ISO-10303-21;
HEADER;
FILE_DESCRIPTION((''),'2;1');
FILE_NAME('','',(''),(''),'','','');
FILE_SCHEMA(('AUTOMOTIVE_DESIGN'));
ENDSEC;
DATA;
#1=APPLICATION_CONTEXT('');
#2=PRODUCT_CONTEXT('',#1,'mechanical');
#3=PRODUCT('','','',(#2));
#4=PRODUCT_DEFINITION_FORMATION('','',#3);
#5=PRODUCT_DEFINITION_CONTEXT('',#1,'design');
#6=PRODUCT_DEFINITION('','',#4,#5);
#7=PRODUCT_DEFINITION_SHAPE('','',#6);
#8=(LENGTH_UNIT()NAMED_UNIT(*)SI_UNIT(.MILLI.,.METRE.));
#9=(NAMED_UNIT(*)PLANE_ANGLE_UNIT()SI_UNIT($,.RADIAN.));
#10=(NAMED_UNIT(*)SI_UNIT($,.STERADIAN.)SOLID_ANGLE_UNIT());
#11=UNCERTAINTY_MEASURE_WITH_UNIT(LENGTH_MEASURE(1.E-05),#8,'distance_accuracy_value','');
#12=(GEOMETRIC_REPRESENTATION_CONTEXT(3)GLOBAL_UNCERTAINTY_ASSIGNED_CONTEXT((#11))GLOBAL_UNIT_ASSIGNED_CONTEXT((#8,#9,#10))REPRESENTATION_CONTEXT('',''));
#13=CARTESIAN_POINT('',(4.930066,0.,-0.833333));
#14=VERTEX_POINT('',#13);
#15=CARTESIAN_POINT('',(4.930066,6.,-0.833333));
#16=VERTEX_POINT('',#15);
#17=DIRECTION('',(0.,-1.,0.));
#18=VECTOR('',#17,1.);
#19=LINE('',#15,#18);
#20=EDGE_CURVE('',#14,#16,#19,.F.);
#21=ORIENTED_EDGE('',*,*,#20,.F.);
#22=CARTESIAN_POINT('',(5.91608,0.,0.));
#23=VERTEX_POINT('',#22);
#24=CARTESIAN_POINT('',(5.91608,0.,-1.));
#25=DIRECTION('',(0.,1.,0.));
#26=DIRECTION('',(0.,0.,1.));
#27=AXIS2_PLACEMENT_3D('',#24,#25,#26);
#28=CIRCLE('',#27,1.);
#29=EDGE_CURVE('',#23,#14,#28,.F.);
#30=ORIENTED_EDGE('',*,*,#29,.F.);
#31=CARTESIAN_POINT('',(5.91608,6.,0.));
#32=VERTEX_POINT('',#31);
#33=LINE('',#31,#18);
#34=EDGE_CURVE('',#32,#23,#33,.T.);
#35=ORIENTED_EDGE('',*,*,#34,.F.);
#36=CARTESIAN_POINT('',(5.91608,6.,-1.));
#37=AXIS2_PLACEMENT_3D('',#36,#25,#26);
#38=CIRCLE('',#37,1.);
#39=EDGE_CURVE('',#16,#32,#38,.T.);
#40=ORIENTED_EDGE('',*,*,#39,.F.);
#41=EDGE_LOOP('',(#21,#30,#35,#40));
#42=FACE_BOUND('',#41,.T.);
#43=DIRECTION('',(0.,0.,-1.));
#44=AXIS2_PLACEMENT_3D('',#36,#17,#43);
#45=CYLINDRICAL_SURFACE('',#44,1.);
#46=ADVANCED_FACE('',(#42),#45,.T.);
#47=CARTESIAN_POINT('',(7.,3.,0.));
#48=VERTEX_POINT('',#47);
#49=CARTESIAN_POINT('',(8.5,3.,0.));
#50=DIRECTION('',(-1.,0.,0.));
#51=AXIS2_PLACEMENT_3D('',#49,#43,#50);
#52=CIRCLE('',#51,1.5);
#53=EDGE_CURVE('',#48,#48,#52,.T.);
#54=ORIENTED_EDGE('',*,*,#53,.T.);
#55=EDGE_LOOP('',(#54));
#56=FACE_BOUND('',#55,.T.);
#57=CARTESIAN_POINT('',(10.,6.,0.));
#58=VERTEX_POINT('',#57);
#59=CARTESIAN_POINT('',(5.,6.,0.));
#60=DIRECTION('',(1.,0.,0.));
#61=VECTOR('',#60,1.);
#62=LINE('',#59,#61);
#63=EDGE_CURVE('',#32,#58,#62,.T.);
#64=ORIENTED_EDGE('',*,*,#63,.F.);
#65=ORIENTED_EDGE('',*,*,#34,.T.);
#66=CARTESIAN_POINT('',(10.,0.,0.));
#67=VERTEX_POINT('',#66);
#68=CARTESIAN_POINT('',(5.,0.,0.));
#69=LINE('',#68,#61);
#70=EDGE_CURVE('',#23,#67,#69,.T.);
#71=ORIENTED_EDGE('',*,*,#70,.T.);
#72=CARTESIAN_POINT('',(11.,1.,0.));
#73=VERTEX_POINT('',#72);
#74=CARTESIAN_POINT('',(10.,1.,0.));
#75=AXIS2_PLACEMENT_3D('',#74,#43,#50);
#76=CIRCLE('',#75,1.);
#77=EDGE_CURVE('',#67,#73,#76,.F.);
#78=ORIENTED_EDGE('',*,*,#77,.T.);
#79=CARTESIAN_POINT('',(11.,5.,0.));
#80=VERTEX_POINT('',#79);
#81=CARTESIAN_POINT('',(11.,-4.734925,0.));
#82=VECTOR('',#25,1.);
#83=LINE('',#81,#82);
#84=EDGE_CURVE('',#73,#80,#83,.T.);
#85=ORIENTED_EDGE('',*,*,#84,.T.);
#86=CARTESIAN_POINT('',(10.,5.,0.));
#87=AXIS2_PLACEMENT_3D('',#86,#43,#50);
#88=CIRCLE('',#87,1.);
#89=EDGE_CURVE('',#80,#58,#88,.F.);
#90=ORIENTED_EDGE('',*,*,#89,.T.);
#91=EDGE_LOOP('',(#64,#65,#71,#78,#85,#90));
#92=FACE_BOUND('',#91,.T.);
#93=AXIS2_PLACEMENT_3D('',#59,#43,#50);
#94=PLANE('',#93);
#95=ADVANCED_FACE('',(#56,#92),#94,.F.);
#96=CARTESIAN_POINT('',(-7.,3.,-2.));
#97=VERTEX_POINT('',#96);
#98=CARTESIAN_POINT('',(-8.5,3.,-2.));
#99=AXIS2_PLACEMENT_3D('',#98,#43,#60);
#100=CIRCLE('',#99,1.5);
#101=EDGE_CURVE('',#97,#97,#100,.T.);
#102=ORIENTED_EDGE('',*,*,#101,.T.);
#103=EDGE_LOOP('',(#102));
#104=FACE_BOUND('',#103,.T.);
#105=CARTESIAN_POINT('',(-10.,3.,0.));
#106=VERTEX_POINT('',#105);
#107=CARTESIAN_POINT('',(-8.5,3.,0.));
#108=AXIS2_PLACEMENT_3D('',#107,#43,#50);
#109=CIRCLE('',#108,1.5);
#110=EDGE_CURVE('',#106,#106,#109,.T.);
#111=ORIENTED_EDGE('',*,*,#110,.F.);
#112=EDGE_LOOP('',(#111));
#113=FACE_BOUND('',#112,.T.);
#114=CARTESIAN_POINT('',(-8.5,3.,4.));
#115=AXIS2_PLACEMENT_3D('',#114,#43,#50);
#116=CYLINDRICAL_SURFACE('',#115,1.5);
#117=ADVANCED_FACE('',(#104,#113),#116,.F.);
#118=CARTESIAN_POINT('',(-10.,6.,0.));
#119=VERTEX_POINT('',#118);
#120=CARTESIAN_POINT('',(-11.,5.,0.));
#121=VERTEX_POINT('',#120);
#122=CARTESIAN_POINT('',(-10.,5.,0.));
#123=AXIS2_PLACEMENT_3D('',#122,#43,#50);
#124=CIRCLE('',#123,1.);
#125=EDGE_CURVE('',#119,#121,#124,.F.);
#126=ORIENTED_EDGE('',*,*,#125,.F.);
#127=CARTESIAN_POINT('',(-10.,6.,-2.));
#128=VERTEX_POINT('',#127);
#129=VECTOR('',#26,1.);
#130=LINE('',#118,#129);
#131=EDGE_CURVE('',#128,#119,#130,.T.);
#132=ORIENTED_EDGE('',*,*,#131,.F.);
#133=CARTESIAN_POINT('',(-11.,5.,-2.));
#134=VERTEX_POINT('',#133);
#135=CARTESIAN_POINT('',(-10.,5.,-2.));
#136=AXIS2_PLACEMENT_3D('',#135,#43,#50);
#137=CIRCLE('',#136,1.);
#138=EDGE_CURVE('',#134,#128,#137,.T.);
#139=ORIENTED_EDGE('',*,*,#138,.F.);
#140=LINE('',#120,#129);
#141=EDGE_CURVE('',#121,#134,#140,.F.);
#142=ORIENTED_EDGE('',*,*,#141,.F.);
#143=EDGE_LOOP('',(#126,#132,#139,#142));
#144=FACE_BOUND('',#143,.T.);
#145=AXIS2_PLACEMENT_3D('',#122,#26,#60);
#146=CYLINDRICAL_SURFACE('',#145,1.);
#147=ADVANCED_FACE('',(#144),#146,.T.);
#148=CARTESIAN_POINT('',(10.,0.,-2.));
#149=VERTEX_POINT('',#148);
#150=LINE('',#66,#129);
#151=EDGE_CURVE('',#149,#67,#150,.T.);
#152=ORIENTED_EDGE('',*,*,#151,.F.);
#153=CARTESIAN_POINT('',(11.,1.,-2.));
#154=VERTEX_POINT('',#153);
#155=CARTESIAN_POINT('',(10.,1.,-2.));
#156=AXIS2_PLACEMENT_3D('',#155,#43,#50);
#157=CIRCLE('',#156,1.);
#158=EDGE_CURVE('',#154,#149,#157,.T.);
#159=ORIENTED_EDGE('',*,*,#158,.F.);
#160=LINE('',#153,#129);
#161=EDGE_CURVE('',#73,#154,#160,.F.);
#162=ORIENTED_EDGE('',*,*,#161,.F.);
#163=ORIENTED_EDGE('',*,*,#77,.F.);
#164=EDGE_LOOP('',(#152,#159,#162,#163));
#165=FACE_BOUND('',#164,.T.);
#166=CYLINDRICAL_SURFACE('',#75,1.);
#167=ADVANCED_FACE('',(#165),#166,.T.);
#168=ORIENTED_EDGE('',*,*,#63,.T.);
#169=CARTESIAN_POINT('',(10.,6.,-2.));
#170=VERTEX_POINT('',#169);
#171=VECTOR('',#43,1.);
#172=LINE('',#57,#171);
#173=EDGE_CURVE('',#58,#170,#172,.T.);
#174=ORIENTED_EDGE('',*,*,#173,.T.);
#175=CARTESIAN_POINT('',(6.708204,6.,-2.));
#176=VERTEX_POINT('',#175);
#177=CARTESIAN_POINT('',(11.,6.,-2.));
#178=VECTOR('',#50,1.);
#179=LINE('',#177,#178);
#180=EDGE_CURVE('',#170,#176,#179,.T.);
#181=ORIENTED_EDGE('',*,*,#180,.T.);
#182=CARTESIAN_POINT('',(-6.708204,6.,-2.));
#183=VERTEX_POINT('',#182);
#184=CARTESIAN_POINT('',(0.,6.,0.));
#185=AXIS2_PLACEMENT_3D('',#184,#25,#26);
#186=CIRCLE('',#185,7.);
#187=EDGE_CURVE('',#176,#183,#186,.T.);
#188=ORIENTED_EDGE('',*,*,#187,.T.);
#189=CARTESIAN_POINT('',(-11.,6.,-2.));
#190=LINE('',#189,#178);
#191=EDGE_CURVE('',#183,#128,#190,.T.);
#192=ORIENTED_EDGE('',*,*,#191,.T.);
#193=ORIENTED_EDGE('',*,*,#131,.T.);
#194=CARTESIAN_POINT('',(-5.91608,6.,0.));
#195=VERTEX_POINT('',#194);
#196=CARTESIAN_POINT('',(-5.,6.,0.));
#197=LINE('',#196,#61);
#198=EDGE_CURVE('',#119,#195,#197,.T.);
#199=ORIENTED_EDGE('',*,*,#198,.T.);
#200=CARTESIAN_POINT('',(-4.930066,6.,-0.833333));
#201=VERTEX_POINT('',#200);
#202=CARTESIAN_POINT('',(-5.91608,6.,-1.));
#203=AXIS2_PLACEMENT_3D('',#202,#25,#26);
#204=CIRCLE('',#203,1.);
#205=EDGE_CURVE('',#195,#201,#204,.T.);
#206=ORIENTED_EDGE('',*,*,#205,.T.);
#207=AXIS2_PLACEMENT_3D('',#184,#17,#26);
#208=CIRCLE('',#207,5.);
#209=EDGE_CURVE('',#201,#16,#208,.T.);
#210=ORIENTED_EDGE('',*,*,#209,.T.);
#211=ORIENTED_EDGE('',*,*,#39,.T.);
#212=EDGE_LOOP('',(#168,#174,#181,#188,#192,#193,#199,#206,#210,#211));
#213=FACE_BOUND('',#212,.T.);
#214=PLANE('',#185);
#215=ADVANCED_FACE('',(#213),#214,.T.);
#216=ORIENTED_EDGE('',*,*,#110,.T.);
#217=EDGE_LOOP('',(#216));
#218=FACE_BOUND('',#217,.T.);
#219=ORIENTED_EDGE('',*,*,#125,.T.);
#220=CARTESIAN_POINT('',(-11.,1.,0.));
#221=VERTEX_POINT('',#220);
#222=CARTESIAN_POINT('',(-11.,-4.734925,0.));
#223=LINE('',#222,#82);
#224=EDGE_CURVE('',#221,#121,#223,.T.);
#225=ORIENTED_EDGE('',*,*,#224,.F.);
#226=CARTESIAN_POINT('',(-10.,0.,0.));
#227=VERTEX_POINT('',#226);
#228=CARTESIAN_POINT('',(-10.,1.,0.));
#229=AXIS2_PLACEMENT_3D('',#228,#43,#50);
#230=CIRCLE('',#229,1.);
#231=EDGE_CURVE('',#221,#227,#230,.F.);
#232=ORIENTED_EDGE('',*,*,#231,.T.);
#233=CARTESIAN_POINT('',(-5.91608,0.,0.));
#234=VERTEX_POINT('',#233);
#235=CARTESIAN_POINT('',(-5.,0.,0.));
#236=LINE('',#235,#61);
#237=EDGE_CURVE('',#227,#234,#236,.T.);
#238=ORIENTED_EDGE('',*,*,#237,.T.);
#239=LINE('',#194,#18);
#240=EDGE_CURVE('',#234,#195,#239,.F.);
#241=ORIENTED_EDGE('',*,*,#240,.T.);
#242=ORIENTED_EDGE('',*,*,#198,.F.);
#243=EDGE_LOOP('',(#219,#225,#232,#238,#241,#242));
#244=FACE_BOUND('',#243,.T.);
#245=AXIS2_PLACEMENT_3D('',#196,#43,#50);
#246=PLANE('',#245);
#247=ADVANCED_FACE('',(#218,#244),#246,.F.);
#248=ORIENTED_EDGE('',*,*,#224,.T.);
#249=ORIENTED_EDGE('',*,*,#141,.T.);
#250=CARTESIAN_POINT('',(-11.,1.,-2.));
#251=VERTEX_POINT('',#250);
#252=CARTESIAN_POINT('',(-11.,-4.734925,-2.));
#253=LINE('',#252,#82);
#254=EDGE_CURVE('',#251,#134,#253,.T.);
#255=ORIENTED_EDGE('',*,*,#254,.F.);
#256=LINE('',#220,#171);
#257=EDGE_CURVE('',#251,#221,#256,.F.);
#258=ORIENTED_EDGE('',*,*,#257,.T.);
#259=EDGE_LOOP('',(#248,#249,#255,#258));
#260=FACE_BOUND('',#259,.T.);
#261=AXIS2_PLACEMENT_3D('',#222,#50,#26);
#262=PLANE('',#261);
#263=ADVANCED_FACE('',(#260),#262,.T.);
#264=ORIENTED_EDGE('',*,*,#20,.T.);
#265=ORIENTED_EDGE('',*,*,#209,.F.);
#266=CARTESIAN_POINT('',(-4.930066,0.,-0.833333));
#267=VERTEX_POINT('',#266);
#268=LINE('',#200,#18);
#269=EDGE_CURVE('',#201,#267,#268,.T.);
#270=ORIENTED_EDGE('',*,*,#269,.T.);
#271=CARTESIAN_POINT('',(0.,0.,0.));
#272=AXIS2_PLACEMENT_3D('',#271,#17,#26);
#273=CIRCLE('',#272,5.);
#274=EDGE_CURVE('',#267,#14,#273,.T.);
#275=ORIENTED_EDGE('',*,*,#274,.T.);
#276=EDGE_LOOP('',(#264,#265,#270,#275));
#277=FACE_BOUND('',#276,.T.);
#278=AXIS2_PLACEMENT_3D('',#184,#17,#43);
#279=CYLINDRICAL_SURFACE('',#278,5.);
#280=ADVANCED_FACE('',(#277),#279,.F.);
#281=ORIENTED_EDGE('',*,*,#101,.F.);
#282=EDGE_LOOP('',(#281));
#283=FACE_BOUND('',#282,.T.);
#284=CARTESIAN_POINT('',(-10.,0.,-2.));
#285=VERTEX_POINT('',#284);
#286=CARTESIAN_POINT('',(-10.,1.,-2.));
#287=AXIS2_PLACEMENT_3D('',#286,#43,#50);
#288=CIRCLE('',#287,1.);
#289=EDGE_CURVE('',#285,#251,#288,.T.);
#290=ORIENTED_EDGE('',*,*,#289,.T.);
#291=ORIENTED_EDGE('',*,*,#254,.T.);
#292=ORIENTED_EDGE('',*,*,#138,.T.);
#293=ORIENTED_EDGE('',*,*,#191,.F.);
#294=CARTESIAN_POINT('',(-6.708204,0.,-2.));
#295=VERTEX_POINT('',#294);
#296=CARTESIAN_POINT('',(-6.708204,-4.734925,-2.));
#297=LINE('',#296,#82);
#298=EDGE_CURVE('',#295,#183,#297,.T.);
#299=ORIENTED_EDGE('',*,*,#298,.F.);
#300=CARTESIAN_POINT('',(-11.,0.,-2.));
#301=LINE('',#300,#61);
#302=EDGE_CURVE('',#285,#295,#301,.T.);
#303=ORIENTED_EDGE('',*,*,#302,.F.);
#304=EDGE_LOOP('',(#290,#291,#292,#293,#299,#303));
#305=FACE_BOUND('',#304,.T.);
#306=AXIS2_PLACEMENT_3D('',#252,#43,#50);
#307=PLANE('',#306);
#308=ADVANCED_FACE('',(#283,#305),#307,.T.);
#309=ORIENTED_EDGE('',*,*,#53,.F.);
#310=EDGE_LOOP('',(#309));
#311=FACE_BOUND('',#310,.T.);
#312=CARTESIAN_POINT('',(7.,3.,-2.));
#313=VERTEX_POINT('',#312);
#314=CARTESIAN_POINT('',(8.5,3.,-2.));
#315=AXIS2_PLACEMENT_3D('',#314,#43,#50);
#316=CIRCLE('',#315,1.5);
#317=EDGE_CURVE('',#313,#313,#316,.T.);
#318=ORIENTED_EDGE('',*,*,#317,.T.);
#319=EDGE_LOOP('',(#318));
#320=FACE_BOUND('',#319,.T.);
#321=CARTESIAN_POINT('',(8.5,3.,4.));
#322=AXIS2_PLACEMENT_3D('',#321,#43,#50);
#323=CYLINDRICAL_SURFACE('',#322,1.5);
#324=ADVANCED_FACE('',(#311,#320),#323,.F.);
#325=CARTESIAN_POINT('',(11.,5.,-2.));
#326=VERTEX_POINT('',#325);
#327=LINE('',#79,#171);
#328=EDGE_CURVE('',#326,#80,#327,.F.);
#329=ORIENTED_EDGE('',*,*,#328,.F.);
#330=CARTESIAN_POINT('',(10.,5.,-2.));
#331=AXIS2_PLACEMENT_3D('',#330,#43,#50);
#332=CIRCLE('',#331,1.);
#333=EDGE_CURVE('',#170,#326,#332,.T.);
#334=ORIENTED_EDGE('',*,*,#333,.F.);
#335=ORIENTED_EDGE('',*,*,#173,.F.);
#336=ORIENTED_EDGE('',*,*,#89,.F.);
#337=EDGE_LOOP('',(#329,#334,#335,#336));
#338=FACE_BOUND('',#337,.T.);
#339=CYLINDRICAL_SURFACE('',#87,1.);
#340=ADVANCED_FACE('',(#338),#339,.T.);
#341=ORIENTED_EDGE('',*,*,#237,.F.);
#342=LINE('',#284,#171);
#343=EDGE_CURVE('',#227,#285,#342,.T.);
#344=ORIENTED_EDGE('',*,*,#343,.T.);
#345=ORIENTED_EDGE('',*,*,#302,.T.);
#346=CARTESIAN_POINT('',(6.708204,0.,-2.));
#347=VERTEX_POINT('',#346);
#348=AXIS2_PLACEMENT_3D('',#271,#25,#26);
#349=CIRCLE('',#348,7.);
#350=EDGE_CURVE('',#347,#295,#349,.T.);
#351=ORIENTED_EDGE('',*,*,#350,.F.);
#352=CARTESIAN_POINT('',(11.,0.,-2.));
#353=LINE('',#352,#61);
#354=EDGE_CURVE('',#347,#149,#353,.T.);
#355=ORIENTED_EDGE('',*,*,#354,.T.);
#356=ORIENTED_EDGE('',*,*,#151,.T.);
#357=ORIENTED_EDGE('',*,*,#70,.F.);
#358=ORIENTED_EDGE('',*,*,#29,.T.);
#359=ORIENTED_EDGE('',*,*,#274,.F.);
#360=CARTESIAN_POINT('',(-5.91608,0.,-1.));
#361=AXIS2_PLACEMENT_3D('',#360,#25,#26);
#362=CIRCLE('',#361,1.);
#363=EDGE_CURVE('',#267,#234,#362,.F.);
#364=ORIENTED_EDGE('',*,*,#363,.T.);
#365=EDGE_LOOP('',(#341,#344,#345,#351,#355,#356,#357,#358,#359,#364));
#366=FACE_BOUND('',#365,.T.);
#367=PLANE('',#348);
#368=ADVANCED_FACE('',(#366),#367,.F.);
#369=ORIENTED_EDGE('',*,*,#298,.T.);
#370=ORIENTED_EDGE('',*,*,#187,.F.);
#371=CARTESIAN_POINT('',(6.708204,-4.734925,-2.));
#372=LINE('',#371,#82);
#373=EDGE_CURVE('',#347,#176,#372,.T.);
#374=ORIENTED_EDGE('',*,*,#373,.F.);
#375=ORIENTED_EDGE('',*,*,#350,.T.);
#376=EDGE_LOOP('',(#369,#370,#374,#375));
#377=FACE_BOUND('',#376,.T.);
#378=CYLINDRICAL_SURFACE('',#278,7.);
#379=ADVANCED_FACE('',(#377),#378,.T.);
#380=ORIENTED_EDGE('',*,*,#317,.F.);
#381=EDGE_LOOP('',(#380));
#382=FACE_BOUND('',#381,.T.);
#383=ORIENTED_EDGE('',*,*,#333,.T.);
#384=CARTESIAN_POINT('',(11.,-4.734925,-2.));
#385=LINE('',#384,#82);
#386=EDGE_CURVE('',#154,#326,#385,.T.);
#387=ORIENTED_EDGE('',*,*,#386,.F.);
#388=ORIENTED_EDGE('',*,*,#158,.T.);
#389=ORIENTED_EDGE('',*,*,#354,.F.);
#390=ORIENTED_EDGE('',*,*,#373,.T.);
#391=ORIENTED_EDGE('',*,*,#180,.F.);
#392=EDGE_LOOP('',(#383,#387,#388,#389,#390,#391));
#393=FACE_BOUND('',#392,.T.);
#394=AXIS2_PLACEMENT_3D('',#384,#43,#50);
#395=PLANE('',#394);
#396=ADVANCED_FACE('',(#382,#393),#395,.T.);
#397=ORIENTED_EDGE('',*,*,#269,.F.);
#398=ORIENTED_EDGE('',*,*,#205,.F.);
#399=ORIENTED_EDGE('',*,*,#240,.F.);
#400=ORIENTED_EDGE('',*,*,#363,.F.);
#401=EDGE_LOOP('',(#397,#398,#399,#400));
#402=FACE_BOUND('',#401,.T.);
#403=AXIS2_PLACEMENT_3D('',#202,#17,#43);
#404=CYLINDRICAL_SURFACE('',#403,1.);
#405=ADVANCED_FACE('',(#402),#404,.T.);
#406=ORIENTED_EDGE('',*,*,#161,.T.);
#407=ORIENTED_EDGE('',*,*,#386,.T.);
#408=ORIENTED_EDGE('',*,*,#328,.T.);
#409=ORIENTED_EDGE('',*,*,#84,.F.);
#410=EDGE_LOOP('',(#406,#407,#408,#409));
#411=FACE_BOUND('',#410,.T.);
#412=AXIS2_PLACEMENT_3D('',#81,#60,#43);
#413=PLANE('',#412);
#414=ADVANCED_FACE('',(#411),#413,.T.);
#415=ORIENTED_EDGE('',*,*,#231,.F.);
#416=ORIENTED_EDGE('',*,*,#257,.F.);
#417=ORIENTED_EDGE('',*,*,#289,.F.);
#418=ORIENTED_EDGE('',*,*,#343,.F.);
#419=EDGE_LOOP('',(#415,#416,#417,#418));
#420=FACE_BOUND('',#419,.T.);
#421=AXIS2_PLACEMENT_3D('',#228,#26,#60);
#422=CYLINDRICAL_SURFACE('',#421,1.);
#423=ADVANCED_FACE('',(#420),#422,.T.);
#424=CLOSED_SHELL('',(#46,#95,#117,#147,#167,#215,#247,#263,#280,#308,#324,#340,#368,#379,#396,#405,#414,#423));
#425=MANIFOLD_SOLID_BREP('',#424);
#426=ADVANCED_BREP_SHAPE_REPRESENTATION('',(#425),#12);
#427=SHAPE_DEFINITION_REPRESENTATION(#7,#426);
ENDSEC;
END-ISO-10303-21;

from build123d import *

# Parameters (mm, degrees)
BOSS_EXTRUDE1_DEPTH = 6
BOSS_EXTRUDE2_DEPTH = 6
SKETCH3_R           = 1.5
CUT_EXTRUDE1_DEPTH  = 6
FILLET1_R           = 1


with BuildPart() as part:
    # Sketch1 → Boss-Extrude1 (new body)
    with BuildSketch(Plane(origin=(0, 0, 0), x_dir=(1, 0, 0), z_dir=(0, 1, 0))):
        with BuildLine():
            Line((5, 0), (7, 0))
            ThreePointArc((7, 0), (0, 7), (-7, 0))
            Line((-7, 0), (-5, 0))
            ThreePointArc((-5, 0), (0, 5), (5, 0))
        make_face()
    extrude(amount=BOSS_EXTRUDE1_DEPTH)

    # Sketch2 → Boss-Extrude2 (add)
    with BuildSketch(Plane(origin=(0, 6, 0), x_dir=(1, 0, 0), z_dir=(0, 1, 0))):
        Polygon((7, 0), (11, 0), (11, 2), (6.708203932, 2), align=None)
        Polygon((-6.708203932, 2), (-7, 0), (-11, 0), (-11, 2), align=None)
    extrude(amount=-BOSS_EXTRUDE2_DEPTH)

    # Sketch3 → Cut-Extrude1 (cut)
    with BuildSketch(Plane(origin=(0, 0, -2), x_dir=(-1, 0, 0), z_dir=(0, 0, -1))):
        with Locations((-8.5, 3)):
            Circle(SKETCH3_R)
        with Locations((8.5, 3)):
            Circle(SKETCH3_R)
    extrude(amount=-CUT_EXTRUDE1_DEPTH, mode=Mode.SUBTRACT)

    # Fillet1
    fillet1_edges = [part.edges().sort_by_distance(p)[0] for p in [
        (11, 6, -1),
        (11, 0, -1),
        (-11, 6, -1),
        (-11, 0, -1),
        (-5, 3, 0),
        (5, 3, 0),
    ]]
    fillet(fillet1_edges, radius=FILLET1_R)


solid = part.part
